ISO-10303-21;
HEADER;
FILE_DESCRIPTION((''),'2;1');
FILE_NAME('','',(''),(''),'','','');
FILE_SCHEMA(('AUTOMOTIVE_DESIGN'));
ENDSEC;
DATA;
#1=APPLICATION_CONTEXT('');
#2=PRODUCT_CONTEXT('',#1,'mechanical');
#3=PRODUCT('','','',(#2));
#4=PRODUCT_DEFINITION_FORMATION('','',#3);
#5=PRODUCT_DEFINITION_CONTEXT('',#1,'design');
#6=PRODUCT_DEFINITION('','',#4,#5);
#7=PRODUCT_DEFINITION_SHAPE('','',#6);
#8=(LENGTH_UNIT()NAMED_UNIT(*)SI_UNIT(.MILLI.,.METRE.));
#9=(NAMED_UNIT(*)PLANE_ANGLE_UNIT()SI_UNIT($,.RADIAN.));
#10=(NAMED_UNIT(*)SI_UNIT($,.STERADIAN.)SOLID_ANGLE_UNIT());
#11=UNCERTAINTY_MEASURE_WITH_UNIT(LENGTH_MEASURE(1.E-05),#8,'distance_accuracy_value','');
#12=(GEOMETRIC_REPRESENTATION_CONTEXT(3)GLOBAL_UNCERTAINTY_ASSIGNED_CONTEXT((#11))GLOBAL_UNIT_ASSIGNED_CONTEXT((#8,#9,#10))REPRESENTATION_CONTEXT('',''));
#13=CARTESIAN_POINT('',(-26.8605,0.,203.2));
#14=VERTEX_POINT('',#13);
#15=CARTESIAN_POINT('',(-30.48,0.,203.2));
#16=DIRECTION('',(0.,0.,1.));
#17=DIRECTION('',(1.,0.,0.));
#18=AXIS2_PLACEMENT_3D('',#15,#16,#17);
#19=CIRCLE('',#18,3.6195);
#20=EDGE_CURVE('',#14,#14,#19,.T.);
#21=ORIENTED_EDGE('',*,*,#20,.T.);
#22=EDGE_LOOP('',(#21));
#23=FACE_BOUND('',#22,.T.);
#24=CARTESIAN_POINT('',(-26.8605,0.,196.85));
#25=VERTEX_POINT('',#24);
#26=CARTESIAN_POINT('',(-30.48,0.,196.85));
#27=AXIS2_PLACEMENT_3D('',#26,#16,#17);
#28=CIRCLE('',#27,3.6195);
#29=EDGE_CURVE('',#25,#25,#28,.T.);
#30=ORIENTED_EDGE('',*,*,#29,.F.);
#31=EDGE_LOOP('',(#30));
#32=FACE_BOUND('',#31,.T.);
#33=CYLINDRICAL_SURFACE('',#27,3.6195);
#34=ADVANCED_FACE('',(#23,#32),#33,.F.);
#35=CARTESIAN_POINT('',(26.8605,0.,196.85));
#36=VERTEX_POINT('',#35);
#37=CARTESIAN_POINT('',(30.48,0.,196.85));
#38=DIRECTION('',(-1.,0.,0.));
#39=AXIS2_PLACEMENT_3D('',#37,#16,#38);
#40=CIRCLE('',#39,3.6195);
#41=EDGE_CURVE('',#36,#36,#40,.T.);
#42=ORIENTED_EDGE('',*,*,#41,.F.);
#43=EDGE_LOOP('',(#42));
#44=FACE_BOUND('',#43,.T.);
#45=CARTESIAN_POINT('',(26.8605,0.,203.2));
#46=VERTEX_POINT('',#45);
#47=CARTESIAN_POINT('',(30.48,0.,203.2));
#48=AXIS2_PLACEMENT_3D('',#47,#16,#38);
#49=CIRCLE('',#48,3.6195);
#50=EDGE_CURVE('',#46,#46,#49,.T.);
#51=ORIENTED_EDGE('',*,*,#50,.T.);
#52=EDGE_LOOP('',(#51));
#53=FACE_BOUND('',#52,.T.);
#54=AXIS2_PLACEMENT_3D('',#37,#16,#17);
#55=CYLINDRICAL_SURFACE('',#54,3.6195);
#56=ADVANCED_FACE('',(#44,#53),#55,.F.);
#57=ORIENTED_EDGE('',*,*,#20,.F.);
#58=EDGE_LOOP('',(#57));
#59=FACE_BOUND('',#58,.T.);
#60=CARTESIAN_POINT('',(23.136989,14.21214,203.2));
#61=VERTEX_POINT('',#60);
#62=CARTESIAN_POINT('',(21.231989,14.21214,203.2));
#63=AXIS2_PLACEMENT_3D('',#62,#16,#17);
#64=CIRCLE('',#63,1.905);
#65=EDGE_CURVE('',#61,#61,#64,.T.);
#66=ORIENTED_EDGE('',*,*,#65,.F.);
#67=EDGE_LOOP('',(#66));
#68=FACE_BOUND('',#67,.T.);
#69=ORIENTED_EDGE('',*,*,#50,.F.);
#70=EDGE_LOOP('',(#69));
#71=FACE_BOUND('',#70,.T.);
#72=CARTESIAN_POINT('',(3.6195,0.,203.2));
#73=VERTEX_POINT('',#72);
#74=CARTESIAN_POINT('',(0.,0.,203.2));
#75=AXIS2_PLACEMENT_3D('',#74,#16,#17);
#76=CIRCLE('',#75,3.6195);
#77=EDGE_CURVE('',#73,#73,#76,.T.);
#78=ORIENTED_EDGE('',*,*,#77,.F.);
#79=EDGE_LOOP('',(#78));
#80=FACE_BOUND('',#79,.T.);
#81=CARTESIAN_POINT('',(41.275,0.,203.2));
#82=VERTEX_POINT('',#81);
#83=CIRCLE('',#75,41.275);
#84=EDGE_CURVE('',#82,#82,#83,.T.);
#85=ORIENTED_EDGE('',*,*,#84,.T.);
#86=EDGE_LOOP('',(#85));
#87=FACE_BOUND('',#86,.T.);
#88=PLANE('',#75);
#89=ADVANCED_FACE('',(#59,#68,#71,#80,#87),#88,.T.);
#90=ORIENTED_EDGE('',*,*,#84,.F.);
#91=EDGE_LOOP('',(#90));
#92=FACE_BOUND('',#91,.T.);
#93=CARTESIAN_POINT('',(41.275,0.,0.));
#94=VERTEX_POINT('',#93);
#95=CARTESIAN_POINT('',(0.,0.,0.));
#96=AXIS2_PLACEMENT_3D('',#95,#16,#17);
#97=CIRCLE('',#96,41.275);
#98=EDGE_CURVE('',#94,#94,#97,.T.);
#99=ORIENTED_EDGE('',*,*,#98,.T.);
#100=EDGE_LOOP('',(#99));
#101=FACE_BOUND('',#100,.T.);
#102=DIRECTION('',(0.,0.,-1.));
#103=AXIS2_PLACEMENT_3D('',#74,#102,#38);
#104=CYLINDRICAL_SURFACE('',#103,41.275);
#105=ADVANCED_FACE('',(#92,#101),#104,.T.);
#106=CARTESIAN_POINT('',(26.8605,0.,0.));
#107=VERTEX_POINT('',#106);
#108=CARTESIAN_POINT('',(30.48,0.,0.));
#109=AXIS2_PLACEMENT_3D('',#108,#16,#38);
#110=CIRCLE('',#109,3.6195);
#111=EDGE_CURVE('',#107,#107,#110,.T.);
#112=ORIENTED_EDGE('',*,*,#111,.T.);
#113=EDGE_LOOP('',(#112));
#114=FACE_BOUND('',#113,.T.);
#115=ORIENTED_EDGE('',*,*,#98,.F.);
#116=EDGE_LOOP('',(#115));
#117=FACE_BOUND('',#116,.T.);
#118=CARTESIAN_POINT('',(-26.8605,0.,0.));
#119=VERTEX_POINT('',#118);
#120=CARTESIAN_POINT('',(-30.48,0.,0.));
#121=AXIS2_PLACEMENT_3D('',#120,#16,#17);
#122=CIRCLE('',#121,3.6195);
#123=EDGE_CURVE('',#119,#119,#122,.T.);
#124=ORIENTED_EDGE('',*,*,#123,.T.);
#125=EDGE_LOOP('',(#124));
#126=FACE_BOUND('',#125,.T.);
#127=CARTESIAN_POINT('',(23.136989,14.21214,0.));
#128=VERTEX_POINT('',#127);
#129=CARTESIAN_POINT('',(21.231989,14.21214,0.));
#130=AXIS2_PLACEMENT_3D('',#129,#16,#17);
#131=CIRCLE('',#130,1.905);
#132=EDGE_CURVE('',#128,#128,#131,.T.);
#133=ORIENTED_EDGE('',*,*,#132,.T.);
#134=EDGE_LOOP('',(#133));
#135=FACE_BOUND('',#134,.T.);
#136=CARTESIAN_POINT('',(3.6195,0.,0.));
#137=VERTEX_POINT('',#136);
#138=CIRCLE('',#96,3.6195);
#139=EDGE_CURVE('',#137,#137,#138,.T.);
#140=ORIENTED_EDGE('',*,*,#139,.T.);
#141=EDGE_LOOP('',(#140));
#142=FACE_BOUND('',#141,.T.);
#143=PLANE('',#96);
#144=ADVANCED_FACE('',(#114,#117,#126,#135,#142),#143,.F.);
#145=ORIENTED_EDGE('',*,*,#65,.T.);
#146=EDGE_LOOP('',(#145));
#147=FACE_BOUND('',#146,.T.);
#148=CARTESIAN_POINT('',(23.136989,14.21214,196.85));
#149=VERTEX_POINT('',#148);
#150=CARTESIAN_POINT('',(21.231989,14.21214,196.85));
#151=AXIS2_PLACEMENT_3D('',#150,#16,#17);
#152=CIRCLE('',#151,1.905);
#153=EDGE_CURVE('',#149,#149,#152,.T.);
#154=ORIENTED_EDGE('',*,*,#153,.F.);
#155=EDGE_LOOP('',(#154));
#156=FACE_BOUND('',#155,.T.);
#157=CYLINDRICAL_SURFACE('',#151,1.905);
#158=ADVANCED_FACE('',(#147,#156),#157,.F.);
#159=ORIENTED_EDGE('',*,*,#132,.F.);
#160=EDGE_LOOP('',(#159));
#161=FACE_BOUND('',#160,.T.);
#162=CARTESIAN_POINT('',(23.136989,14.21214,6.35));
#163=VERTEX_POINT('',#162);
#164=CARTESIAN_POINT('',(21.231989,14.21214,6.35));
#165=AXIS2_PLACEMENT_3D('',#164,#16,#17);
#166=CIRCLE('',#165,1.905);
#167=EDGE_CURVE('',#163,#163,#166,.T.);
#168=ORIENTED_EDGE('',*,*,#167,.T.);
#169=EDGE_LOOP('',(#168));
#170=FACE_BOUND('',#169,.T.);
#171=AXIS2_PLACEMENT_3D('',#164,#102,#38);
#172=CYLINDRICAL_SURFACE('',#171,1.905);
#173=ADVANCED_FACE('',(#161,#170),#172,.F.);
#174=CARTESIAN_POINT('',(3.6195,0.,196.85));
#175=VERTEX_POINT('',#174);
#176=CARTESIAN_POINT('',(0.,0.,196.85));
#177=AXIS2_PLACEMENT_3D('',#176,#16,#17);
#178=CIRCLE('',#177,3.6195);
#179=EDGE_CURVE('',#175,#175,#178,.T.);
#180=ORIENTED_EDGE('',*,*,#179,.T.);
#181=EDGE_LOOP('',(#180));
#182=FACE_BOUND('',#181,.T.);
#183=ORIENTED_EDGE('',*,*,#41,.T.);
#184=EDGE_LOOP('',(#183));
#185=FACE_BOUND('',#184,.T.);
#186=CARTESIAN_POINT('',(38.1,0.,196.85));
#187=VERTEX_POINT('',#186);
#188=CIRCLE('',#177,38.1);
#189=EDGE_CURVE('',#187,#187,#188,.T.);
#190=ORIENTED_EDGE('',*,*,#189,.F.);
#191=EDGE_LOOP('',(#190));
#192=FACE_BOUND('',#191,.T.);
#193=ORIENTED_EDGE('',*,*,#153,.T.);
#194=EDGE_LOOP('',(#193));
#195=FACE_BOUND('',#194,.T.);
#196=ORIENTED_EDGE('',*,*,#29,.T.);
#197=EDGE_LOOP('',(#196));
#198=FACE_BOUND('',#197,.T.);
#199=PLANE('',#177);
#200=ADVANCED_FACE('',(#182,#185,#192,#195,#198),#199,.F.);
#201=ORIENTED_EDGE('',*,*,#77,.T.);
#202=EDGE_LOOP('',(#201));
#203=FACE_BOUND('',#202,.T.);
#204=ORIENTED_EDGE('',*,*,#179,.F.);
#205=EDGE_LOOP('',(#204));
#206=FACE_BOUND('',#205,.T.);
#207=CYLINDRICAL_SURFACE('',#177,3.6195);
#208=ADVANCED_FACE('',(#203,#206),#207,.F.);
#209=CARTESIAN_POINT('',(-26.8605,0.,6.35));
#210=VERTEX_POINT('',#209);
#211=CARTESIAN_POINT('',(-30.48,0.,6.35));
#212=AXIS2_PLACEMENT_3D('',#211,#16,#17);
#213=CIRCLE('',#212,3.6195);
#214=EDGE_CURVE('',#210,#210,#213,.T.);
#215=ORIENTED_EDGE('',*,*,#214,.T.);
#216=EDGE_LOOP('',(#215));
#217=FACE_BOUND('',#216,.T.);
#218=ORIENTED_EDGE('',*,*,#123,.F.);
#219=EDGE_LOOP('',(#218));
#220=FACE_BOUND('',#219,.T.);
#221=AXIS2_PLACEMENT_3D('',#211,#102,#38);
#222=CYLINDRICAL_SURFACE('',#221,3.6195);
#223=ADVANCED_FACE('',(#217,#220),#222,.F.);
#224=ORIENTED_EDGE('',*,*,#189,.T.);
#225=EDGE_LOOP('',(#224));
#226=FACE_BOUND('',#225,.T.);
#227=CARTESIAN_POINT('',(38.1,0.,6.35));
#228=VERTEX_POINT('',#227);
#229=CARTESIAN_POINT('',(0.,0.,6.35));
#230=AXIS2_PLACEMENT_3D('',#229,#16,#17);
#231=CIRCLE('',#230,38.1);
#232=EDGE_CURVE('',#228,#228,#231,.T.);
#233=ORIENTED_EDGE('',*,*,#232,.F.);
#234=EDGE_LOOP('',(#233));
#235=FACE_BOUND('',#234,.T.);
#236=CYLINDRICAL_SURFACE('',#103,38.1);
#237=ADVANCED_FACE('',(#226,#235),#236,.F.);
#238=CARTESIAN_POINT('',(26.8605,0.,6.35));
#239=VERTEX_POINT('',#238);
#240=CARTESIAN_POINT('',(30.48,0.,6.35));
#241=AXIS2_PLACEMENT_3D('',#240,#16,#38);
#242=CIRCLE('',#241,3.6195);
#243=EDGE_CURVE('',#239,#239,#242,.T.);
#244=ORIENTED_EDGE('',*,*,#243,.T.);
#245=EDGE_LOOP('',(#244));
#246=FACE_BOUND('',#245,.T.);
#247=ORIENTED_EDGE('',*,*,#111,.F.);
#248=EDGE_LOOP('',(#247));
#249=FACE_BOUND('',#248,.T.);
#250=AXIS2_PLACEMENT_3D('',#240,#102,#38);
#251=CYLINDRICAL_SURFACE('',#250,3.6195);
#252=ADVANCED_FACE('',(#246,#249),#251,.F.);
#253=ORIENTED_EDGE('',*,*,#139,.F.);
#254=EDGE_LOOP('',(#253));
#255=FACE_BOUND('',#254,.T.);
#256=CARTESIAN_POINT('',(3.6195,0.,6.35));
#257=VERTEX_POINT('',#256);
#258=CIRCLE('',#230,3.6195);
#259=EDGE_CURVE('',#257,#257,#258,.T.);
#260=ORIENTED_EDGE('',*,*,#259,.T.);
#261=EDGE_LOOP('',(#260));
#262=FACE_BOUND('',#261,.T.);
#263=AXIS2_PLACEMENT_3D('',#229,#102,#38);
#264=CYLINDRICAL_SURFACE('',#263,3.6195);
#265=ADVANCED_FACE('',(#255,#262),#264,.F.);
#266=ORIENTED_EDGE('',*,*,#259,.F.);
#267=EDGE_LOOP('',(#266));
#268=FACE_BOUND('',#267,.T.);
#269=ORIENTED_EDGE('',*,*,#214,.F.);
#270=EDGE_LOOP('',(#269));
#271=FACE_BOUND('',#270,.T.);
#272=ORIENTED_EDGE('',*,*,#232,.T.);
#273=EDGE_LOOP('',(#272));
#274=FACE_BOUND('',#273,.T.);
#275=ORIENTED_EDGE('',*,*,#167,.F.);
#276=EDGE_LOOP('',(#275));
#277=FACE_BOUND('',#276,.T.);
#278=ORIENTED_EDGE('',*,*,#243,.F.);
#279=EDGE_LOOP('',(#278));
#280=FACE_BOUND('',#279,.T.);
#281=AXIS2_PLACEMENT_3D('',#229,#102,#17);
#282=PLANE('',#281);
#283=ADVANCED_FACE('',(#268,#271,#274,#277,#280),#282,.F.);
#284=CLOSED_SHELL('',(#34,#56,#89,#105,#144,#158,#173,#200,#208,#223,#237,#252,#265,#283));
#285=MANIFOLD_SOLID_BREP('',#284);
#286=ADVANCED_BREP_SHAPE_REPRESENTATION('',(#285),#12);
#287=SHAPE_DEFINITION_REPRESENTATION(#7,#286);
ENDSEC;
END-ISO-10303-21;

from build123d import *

# Parameters (mm, degrees)
E_BAY_SHELL_R       = 41.275
E_BAY_SHELL_R_2     = 38.1
BOSS_EXTRUDE1_DEPTH = 203.2
LID_TOP_START       = -6.35
SKETCH2_R           = 38.1
SKETCH2_R_2         = 3.6195
SKETCH2_R_3         = 1.905
LID_TOP_DEPTH       = 6.35


with BuildPart() as part:
    # e-bay Shell → Boss-Extrude1 (new body)
    with BuildSketch(Plane.XY):
        Circle(E_BAY_SHELL_R)
        Circle(E_BAY_SHELL_R_2, mode=Mode.SUBTRACT)
    extrude(amount=BOSS_EXTRUDE1_DEPTH)

    # Sketch2 → lid-top (add)
    with BuildSketch(Plane.XY.offset(203.2).offset(LID_TOP_START)):
        Circle(SKETCH2_R)
        Circle(SKETCH2_R_2, mode=Mode.SUBTRACT)
        with Locations((-30.48, 0)):
            Circle(SKETCH2_R_2, mode=Mode.SUBTRACT)
        with Locations((21.231989214, 14.212140166)):
            Circle(SKETCH2_R_3, mode=Mode.SUBTRACT)
        with Locations(Location((30.48, 0, 0), (0, 0, 180))):
            Circle(SKETCH2_R_2, mode=Mode.SUBTRACT)
    lid_top = extrude(amount=LID_TOP_DEPTH)

    # Mirror3: lid-top across plane
    add(lid_top.mirror(Plane.XY.offset(101.6)))


solid = part.part
